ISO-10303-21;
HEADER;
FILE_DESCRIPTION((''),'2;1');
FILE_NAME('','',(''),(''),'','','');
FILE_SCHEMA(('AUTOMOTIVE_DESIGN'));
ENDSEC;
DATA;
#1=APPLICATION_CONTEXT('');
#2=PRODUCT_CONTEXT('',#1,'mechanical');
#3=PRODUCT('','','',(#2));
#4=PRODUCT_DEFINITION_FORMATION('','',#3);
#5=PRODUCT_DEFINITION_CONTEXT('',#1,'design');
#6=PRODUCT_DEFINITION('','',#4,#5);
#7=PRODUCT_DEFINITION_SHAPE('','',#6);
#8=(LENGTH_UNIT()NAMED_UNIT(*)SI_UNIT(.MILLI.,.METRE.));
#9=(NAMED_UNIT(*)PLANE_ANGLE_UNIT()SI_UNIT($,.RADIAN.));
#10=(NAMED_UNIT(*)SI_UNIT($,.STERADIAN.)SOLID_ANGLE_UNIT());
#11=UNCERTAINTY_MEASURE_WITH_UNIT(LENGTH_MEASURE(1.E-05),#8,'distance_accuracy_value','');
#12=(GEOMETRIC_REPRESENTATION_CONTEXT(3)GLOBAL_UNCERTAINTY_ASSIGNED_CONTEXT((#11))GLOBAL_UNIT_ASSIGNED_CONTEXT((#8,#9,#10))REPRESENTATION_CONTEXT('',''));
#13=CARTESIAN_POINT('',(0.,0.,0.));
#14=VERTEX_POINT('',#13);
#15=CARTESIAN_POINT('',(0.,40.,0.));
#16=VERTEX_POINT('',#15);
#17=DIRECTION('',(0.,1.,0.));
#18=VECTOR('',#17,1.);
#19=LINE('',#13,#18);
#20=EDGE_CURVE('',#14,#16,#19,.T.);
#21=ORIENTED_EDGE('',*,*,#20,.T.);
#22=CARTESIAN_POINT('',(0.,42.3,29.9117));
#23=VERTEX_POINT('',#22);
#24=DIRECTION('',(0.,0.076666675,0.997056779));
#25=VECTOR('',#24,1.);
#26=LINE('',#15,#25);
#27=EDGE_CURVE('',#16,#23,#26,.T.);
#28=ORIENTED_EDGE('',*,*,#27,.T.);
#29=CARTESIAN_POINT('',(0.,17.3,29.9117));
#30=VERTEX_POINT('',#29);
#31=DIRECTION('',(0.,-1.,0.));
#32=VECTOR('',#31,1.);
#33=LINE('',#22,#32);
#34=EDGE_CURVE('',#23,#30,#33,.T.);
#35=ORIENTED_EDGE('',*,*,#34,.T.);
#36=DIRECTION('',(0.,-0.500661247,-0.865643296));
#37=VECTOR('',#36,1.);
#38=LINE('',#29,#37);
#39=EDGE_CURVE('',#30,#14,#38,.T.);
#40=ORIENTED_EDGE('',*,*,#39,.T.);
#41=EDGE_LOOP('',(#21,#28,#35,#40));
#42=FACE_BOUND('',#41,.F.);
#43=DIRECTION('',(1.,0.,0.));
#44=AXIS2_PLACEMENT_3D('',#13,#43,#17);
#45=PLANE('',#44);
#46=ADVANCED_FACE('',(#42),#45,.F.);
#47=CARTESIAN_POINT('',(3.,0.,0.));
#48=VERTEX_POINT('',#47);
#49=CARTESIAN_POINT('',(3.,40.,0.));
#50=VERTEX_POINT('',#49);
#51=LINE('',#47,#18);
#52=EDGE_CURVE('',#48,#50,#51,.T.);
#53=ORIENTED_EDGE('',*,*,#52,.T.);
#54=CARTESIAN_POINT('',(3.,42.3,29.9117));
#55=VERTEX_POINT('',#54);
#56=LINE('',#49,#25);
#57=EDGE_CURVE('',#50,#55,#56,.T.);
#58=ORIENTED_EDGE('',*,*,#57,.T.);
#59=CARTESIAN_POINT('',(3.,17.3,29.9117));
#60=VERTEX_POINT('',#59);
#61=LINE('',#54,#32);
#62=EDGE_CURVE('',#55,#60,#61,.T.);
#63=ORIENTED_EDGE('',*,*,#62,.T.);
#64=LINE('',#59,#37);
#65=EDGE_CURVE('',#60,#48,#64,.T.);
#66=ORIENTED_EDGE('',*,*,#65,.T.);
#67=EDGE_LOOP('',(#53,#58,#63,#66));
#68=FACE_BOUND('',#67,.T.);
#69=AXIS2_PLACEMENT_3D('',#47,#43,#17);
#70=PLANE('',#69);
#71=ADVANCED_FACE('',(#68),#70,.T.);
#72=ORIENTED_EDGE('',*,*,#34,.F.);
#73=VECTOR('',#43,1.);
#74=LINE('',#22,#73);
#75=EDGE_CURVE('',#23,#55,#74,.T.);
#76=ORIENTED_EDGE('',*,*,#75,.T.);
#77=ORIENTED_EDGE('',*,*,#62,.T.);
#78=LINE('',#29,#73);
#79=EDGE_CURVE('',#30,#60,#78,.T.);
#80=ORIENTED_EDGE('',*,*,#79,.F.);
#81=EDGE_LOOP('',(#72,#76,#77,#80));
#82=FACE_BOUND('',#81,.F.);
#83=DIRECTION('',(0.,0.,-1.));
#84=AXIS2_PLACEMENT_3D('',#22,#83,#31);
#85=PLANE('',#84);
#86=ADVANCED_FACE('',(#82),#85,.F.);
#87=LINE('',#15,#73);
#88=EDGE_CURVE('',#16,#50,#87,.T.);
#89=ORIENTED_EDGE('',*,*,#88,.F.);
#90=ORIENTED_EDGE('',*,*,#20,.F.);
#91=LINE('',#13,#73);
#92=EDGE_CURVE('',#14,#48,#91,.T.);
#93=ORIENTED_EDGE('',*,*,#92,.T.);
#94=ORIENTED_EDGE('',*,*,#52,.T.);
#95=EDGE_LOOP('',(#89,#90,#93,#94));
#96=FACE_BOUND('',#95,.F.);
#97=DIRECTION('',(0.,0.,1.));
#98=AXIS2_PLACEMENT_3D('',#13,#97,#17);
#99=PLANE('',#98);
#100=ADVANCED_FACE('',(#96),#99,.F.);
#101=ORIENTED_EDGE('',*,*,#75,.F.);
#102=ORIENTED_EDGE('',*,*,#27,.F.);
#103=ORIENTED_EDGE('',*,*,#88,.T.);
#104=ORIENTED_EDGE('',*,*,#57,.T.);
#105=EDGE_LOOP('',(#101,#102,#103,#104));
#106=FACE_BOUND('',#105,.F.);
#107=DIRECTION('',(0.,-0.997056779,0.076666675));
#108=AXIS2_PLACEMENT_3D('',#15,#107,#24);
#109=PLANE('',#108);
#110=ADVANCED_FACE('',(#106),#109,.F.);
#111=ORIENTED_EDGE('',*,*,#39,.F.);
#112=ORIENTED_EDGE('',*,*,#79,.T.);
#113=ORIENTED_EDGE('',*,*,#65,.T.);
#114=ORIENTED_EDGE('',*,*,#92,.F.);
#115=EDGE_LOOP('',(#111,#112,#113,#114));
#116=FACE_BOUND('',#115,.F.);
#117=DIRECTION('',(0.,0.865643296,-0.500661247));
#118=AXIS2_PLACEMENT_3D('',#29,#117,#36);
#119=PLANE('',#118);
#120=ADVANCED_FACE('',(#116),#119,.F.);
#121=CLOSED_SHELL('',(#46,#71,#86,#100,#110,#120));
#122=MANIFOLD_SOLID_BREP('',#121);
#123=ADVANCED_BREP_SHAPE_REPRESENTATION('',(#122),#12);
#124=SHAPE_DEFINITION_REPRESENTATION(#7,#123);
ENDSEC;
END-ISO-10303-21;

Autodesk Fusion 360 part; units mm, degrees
sketch "Sketch1" plane through (0, 0, 0) normal (1, 0, 0) x (0, 1, 0)
  line L0 (0, 0) -> (40, 0)
  line L1 (40, 0) -> (42.3, 29.9117)
  line L2 (42.3, 29.9117) -> (17.3, 29.9117)
  line L3 (17.3, 29.9117) -> (0, 0)
  dimension "d1" = 40
  dimension "d3" = 25
  dimension "d4" = 30
extrude "Extrude1" add sketch "Sketch1" along normal blind 3
